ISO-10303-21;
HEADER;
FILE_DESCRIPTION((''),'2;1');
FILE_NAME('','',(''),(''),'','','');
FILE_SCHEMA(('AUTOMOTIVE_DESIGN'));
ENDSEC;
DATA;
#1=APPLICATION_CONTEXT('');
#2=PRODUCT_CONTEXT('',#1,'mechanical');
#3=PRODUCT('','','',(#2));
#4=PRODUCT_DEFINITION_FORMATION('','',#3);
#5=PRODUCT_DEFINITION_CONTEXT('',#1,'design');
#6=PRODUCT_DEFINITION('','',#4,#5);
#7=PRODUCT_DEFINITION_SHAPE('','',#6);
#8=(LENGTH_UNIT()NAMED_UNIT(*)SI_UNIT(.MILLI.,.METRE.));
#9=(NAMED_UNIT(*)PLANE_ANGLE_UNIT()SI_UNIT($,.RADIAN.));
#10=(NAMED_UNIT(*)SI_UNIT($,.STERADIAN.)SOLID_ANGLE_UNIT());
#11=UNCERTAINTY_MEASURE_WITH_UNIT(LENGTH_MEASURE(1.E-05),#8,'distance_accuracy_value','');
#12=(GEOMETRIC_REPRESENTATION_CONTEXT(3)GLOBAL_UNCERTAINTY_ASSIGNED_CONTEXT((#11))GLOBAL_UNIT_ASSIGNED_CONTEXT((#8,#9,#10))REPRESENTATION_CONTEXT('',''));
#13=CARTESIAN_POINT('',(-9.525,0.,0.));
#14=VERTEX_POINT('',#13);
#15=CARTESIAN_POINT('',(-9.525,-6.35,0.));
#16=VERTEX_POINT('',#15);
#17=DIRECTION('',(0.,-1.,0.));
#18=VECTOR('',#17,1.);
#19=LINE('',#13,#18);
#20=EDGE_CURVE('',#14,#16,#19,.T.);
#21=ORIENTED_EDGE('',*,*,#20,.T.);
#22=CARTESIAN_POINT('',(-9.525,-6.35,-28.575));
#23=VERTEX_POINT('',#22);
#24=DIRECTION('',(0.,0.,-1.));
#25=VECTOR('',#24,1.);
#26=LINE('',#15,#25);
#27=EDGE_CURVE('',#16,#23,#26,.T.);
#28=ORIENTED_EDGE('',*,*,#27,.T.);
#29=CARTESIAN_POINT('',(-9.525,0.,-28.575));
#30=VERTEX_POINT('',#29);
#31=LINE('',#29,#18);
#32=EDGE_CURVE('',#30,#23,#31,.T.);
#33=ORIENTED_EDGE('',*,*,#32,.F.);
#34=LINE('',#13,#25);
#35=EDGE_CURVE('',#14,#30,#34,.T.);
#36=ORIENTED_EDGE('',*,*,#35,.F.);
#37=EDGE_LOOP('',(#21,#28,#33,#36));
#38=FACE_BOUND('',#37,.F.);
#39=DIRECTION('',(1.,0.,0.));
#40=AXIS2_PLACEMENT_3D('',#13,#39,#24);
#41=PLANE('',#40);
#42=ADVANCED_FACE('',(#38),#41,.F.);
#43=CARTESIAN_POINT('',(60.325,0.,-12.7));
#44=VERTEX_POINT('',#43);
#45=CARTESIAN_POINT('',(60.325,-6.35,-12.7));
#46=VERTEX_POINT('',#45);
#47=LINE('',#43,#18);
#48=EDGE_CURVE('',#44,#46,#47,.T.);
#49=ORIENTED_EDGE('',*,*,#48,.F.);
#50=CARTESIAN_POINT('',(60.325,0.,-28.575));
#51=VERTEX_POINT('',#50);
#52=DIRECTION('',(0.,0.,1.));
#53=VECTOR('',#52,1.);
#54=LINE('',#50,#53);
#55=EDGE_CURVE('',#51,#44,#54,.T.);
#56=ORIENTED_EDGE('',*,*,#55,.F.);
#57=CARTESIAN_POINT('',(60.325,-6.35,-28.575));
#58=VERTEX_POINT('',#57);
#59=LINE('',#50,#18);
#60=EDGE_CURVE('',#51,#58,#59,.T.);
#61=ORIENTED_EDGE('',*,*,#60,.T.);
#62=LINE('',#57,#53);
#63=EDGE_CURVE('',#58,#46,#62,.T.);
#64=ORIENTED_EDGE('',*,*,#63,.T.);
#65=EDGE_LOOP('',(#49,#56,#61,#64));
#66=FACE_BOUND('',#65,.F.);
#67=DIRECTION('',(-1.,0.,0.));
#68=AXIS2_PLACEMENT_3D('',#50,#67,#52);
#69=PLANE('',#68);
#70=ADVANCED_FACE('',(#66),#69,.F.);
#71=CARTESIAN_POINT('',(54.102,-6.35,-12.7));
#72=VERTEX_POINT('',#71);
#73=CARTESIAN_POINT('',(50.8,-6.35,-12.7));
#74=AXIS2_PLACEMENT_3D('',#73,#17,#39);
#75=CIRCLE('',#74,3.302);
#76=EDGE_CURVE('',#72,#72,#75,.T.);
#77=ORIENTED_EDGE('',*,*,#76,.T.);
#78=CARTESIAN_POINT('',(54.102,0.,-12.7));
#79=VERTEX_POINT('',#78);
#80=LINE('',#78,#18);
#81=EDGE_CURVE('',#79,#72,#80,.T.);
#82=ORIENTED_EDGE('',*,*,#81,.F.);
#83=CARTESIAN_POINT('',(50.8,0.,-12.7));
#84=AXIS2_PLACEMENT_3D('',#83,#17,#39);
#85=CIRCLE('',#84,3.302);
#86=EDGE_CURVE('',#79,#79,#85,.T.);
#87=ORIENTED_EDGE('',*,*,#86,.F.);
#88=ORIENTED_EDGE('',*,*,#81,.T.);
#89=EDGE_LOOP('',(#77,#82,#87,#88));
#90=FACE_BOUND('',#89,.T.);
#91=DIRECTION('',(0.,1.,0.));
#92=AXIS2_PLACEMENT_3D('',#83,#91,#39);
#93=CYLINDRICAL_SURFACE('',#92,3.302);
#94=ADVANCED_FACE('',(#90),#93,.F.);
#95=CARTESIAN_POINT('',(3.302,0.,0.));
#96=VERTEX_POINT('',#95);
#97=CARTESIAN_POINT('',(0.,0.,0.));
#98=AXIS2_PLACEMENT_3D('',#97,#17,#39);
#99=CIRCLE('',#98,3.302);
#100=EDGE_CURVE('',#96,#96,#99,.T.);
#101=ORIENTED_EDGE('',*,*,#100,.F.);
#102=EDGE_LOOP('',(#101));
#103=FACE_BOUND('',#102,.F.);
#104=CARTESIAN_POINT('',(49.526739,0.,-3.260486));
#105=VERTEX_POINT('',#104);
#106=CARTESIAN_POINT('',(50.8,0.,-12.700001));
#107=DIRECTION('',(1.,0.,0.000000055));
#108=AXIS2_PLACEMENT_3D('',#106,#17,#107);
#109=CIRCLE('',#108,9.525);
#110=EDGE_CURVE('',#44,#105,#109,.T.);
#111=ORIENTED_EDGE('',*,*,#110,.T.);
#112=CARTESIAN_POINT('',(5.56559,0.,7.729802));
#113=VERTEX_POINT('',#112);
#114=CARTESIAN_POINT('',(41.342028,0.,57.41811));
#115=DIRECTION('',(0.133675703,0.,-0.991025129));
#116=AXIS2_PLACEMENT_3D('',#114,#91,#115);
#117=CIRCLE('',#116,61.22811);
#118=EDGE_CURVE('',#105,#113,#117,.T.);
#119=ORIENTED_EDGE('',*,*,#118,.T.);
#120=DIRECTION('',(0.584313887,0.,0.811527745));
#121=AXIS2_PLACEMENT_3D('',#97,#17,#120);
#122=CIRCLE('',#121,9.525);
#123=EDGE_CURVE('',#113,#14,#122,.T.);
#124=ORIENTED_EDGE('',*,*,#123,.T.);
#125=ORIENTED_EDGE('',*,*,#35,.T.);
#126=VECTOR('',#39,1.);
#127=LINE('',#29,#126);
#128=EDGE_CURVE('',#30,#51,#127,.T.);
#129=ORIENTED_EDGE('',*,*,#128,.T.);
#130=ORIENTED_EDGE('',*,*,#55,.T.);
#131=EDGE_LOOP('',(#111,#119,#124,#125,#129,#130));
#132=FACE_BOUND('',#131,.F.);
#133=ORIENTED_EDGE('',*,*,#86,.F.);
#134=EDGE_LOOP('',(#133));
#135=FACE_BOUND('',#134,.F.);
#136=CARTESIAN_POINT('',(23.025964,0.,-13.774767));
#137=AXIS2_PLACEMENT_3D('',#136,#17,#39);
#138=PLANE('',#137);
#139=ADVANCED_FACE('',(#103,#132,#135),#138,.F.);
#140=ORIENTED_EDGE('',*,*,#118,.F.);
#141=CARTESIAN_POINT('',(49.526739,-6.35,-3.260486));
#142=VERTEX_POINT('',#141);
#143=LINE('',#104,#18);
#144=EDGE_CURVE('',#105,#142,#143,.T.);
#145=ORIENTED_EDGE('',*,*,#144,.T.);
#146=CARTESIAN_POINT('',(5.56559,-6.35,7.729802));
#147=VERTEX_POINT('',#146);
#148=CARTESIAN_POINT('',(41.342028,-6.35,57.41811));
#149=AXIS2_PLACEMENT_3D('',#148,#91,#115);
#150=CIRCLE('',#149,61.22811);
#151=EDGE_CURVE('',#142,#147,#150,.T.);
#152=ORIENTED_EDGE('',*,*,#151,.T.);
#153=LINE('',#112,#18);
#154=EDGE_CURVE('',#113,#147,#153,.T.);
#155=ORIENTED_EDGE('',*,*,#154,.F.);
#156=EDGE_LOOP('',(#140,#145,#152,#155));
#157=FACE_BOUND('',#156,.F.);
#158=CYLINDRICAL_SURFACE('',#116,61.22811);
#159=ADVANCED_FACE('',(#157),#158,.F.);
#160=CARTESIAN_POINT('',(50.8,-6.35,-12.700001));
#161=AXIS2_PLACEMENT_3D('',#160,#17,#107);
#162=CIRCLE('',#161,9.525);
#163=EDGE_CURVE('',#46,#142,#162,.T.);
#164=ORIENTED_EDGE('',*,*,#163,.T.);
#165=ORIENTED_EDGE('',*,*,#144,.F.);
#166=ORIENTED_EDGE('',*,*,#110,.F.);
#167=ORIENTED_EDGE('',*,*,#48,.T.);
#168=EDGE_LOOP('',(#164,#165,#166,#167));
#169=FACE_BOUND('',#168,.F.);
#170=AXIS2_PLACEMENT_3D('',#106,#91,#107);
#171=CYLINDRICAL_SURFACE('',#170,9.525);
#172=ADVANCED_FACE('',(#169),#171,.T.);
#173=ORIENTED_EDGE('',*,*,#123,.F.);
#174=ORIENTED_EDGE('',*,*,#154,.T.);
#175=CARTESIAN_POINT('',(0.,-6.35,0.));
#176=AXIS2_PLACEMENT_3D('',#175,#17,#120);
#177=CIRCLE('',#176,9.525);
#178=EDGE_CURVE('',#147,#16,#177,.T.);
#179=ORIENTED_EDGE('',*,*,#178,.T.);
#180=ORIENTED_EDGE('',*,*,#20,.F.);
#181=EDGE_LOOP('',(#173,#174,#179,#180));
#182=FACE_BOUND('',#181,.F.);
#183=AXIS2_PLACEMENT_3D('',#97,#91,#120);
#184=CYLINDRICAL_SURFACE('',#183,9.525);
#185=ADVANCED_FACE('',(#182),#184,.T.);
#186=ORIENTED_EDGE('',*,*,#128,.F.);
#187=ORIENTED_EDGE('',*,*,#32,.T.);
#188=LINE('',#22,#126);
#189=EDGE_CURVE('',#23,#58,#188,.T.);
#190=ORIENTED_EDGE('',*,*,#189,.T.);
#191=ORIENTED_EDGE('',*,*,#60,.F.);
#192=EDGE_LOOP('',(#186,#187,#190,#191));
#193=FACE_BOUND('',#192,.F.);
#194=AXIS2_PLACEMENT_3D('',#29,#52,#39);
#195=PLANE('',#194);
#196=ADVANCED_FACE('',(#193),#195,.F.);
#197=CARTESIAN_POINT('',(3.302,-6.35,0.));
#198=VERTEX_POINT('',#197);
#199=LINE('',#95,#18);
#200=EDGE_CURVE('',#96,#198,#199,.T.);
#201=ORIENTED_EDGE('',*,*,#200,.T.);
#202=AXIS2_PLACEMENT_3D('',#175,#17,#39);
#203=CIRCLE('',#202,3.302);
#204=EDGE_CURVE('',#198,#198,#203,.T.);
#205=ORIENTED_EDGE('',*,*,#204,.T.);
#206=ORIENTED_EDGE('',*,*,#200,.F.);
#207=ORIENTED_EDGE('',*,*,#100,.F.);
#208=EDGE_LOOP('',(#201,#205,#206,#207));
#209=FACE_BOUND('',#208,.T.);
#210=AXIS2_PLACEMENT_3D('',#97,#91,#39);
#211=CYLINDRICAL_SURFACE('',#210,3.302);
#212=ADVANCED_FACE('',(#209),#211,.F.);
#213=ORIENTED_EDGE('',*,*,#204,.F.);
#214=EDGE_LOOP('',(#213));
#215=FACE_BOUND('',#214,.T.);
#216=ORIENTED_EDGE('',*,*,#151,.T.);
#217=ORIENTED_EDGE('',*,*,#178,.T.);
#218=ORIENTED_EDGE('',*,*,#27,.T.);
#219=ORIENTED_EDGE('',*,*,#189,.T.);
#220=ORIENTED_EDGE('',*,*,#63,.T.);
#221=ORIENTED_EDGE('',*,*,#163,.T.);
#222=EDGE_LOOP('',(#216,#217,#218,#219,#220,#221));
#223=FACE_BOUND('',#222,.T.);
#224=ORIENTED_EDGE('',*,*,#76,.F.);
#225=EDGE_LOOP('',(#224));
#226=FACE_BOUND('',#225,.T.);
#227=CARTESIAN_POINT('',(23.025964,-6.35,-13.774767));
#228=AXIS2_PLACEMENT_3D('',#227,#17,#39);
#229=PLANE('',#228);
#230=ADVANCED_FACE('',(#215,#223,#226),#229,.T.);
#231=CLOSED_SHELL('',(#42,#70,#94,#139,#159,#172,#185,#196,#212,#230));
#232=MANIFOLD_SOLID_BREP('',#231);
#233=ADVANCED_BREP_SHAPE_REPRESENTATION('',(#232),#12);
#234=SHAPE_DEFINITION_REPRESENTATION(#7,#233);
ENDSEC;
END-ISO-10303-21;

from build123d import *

# Parameters (mm, degrees)
F0_R     = 3.302
F1_DEPTH = 6.35


with BuildPart() as f1:
    # F0 (on Front) → F1 (new body)
    with BuildSketch(Plane.XZ):
        with BuildLine():
            ThreePointArc((5.56559, 7.729802), (-4.342429, 8.477555), (-9.525, 0))
            Line((-9.525, 0), (-9.525, -28.575))
            Line((-9.525, -28.575), (60.325, -28.575))
            Line((60.325, -28.575), (60.325, -12.7))
            ThreePointArc((60.325, -12.7), (57.068884, -5.528758), (49.526739, -3.260486))
            ThreePointArc((49.526739, -3.260486), (26.49203, -1.981882), (5.56559, 7.729802))
        make_face()
        with Locations((50.8, -12.7)):
            Circle(F0_R, mode=Mode.SUBTRACT)
        Circle(F0_R, mode=Mode.SUBTRACT)
    extrude(amount=F1_DEPTH)


solid = f1.part
